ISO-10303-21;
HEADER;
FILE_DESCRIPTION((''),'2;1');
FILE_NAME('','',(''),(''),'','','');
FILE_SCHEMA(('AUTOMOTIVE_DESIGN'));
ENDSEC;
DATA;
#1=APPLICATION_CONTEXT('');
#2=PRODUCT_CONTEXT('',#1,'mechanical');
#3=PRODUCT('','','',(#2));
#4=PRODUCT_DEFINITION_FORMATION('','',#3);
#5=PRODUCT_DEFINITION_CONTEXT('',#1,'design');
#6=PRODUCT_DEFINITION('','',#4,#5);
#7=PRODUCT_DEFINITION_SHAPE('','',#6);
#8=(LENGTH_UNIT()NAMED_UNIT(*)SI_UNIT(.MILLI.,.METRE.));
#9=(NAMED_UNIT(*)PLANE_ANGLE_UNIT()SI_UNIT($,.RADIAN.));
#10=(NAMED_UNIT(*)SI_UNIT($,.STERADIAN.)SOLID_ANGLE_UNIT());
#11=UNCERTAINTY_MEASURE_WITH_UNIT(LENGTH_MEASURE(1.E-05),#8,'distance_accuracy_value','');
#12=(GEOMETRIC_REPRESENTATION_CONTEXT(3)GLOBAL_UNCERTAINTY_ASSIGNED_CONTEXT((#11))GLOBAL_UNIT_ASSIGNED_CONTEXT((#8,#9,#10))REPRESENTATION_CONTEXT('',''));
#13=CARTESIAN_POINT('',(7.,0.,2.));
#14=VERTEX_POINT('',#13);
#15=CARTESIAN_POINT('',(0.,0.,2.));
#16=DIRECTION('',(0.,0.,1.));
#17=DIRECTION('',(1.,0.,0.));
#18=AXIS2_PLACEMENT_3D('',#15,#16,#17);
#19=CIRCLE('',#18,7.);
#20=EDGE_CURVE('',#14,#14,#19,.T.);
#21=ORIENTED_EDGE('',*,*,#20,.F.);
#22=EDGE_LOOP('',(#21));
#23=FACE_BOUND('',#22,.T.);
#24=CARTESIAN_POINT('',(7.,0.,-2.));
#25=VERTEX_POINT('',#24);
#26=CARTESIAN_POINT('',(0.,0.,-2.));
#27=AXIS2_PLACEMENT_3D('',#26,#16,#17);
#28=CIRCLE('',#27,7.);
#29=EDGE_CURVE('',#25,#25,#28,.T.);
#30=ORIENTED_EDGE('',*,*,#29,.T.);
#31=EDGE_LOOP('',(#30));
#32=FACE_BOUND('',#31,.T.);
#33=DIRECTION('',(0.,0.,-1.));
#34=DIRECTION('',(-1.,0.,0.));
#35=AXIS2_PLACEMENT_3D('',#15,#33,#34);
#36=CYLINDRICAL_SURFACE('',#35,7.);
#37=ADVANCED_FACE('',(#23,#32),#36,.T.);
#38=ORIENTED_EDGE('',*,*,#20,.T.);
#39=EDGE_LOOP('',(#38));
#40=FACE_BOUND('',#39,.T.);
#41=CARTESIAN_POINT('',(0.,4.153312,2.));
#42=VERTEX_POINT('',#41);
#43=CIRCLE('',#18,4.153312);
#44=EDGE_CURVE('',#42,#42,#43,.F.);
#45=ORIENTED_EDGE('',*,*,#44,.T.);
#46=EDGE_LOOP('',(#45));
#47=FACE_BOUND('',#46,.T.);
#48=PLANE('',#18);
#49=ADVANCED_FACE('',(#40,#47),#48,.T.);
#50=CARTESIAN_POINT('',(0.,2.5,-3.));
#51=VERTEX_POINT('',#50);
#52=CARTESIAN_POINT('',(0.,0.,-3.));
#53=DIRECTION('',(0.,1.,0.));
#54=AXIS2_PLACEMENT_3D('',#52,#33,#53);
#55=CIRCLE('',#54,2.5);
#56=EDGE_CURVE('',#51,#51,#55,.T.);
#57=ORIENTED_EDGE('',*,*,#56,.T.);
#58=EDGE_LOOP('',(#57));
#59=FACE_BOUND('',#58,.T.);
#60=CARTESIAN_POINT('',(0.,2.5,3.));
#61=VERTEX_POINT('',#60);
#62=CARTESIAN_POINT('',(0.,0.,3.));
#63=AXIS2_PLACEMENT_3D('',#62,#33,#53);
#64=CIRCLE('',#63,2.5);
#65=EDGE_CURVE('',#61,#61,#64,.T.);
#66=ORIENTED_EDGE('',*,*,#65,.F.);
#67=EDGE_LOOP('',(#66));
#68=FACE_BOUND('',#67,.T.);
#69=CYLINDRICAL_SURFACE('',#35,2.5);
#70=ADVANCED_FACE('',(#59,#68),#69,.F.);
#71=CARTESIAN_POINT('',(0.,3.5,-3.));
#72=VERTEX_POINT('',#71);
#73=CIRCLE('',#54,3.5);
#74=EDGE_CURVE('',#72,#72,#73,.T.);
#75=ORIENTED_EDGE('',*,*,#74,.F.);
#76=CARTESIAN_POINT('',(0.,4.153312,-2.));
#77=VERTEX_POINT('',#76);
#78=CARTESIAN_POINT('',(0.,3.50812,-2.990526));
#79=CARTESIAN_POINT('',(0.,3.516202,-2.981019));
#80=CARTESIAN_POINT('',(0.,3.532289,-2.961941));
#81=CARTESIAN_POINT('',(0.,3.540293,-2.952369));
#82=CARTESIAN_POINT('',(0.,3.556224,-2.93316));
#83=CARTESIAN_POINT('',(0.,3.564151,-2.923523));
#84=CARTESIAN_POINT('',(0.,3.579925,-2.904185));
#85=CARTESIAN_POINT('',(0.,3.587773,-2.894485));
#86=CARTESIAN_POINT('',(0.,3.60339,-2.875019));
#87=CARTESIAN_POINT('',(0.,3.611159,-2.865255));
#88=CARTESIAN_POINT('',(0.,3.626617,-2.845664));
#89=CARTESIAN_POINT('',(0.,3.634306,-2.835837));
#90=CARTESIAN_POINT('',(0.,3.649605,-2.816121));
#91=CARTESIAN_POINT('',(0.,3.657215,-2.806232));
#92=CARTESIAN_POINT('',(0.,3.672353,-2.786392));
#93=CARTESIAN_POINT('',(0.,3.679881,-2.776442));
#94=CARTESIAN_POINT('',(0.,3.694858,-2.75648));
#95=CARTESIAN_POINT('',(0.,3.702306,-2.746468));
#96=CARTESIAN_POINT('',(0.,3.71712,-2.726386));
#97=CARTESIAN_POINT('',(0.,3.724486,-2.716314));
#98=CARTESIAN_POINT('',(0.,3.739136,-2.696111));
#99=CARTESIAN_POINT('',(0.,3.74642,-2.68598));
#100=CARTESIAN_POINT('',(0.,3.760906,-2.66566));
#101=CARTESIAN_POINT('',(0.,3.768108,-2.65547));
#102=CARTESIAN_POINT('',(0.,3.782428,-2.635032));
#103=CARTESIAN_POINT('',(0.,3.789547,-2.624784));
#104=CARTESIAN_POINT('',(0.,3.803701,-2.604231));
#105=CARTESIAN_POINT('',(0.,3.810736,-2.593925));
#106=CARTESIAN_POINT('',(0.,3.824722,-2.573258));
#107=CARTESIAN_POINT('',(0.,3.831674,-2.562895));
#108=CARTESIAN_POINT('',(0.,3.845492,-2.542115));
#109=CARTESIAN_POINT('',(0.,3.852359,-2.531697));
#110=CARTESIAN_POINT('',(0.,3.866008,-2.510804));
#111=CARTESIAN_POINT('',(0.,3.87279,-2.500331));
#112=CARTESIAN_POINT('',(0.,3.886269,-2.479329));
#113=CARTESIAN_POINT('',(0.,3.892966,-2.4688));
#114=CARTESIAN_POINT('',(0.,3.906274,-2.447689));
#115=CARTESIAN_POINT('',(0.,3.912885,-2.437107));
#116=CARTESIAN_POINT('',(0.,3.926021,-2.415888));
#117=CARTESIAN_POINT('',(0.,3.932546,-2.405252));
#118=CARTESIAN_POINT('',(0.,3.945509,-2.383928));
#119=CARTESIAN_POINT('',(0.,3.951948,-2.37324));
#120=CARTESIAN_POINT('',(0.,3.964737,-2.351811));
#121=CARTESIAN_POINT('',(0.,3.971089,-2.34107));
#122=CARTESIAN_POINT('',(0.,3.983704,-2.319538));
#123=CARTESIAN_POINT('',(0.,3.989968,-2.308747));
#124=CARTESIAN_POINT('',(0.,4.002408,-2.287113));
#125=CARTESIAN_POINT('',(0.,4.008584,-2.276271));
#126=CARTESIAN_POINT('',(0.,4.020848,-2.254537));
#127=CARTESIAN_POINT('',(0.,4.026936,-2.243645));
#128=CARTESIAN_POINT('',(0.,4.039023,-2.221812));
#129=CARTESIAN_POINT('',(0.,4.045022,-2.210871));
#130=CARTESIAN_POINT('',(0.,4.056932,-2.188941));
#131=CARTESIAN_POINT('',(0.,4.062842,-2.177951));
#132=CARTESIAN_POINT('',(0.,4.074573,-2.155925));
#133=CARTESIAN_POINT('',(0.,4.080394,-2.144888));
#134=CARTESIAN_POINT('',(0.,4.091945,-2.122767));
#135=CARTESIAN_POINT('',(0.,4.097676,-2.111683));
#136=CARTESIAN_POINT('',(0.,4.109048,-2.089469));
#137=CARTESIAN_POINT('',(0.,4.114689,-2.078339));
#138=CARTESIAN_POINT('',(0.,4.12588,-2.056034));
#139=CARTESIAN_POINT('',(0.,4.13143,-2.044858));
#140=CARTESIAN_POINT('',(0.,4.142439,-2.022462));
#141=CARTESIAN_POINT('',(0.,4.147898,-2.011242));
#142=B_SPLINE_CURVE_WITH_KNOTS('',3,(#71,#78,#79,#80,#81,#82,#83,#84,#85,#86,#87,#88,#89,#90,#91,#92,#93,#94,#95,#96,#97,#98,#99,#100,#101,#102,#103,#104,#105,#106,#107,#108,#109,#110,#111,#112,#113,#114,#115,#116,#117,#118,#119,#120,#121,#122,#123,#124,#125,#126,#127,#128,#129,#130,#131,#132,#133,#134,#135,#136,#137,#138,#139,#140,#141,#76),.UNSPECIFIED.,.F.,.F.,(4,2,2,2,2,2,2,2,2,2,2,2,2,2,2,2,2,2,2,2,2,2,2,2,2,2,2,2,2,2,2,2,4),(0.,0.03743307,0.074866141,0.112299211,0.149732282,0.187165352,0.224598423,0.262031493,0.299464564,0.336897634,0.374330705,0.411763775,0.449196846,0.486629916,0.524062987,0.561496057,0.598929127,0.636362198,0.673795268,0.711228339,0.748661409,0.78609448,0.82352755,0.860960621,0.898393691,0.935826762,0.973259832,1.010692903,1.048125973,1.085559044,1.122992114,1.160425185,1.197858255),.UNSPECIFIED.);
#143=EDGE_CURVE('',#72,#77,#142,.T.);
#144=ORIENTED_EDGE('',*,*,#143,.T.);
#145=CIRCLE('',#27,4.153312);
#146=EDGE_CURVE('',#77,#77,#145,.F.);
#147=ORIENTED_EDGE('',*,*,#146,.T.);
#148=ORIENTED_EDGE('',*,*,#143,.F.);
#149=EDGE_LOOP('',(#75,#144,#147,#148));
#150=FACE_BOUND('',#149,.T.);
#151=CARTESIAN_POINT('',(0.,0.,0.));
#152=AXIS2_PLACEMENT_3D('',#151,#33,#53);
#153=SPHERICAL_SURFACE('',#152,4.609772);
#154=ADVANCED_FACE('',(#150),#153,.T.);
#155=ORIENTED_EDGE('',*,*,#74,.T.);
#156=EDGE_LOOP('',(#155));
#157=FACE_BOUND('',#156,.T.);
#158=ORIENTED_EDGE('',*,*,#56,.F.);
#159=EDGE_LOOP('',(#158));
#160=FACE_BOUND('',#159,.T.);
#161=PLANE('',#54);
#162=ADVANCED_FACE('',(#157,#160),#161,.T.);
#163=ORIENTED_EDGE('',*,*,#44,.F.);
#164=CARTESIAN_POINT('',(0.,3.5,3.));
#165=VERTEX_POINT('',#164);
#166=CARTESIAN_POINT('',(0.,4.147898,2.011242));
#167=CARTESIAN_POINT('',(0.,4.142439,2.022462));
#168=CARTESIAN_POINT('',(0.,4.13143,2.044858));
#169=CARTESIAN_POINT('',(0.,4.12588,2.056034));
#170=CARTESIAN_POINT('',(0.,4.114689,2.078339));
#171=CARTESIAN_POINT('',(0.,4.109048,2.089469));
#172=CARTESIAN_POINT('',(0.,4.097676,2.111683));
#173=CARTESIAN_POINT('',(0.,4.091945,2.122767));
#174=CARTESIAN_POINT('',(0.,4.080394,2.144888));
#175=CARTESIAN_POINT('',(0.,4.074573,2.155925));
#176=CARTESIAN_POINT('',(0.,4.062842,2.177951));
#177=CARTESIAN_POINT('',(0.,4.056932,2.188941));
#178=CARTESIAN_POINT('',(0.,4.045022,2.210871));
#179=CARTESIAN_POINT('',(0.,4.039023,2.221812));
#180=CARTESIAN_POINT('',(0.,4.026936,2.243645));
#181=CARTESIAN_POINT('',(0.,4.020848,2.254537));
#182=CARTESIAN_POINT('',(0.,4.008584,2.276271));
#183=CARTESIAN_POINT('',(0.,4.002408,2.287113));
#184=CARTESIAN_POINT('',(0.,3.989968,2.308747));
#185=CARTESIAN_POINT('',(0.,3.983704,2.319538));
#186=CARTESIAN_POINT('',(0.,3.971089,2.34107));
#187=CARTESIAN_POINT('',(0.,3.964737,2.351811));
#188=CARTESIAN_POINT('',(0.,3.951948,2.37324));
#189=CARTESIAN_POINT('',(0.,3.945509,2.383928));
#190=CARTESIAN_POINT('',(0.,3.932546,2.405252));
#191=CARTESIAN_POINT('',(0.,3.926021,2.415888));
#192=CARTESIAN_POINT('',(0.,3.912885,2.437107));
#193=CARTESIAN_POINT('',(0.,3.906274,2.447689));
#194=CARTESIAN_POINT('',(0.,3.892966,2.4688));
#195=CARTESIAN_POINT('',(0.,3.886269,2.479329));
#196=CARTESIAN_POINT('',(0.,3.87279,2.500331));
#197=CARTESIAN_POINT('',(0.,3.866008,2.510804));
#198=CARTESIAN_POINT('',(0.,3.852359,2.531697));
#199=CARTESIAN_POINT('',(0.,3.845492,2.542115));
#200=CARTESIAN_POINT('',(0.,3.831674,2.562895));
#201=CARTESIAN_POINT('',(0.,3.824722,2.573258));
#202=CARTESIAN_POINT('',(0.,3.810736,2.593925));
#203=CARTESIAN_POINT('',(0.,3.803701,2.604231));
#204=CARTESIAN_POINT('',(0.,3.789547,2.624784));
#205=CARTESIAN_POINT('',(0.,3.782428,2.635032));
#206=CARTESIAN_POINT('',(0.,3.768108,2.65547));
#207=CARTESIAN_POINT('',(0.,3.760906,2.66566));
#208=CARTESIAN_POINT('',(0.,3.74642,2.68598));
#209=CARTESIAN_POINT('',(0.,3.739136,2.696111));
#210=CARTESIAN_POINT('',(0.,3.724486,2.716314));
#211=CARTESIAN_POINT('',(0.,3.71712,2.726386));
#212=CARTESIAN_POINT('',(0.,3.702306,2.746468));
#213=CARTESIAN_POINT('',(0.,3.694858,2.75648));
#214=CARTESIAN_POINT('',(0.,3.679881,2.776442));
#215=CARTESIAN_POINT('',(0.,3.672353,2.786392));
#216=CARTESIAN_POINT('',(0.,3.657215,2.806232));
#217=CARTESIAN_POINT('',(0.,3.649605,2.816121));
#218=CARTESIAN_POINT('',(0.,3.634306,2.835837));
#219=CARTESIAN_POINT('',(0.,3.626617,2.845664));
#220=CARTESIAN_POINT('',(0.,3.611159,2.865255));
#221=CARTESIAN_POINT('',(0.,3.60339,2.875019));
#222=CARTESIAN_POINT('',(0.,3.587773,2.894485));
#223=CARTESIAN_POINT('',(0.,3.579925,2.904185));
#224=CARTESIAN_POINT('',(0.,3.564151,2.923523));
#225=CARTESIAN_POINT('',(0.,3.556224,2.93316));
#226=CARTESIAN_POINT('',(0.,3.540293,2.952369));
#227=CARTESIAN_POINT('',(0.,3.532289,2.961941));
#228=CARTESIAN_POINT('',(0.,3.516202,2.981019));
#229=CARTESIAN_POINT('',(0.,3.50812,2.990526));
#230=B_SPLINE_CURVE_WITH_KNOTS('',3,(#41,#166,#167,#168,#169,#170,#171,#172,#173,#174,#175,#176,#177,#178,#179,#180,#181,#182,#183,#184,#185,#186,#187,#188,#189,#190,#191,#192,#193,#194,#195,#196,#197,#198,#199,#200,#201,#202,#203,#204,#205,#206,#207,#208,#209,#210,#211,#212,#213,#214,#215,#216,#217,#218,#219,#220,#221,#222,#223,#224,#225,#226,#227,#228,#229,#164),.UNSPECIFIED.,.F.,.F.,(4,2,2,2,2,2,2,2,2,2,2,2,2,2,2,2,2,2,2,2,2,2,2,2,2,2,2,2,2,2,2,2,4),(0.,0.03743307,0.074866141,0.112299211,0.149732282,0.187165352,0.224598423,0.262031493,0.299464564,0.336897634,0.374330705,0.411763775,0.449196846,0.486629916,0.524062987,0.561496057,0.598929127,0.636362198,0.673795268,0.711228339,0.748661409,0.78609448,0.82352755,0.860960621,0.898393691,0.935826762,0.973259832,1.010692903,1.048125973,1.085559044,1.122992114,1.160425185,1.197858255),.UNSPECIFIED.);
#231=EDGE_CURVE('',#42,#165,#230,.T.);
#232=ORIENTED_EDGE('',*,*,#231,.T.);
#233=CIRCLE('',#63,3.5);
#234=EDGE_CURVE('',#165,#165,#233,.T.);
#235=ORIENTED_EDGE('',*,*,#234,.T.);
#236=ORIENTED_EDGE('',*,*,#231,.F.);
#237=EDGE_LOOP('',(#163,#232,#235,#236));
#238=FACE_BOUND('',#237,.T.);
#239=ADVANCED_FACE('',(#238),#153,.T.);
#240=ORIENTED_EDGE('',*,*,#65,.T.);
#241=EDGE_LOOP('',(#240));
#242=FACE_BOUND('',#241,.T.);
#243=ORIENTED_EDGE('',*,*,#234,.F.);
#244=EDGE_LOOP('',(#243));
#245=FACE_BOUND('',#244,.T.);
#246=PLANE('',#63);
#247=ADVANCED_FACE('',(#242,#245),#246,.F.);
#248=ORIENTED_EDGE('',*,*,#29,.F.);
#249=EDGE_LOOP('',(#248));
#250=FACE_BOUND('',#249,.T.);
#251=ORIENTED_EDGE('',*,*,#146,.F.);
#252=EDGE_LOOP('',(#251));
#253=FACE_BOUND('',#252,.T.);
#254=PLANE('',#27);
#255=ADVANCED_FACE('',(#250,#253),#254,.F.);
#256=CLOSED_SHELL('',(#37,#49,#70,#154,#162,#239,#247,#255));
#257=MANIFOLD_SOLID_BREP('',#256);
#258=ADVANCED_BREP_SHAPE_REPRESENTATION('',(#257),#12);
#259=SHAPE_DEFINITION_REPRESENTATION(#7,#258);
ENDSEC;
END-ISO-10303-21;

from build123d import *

# Parameters (mm, degrees)
SKETCH_1_R      = 7
SKETCH_1_R_2    = 2.5
EXTRUDE_1_DEPTH = 2


with BuildPart() as part:
    # 草图1 → 凸台-拉伸1 (new, symmetric)
    with BuildSketch(Plane.XY):
        Circle(SKETCH_1_R)
        Circle(SKETCH_1_R_2, mode=Mode.SUBTRACT)
    extrude(amount=EXTRUDE_1_DEPTH, both=True)

    # 草图2 → 旋转1 (revolve)
    with BuildSketch(Plane(origin=(0, 0, 0), x_dir=(0, 0, -1), z_dir=(1, 0, 0))):
        with BuildLine():
            ThreePointArc((-3, 3.5), (0, 4.609772229), (3, 3.5))
            Line((3, 3.5), (3, 2.5))
            Line((3, 2.5), (-3, 2.5))
            Line((-3, 2.5), (-3, 3.5))
        make_face()
    revolve(axis=Axis((0, 0, 0), (0, 0, 1)))


solid = part.part
